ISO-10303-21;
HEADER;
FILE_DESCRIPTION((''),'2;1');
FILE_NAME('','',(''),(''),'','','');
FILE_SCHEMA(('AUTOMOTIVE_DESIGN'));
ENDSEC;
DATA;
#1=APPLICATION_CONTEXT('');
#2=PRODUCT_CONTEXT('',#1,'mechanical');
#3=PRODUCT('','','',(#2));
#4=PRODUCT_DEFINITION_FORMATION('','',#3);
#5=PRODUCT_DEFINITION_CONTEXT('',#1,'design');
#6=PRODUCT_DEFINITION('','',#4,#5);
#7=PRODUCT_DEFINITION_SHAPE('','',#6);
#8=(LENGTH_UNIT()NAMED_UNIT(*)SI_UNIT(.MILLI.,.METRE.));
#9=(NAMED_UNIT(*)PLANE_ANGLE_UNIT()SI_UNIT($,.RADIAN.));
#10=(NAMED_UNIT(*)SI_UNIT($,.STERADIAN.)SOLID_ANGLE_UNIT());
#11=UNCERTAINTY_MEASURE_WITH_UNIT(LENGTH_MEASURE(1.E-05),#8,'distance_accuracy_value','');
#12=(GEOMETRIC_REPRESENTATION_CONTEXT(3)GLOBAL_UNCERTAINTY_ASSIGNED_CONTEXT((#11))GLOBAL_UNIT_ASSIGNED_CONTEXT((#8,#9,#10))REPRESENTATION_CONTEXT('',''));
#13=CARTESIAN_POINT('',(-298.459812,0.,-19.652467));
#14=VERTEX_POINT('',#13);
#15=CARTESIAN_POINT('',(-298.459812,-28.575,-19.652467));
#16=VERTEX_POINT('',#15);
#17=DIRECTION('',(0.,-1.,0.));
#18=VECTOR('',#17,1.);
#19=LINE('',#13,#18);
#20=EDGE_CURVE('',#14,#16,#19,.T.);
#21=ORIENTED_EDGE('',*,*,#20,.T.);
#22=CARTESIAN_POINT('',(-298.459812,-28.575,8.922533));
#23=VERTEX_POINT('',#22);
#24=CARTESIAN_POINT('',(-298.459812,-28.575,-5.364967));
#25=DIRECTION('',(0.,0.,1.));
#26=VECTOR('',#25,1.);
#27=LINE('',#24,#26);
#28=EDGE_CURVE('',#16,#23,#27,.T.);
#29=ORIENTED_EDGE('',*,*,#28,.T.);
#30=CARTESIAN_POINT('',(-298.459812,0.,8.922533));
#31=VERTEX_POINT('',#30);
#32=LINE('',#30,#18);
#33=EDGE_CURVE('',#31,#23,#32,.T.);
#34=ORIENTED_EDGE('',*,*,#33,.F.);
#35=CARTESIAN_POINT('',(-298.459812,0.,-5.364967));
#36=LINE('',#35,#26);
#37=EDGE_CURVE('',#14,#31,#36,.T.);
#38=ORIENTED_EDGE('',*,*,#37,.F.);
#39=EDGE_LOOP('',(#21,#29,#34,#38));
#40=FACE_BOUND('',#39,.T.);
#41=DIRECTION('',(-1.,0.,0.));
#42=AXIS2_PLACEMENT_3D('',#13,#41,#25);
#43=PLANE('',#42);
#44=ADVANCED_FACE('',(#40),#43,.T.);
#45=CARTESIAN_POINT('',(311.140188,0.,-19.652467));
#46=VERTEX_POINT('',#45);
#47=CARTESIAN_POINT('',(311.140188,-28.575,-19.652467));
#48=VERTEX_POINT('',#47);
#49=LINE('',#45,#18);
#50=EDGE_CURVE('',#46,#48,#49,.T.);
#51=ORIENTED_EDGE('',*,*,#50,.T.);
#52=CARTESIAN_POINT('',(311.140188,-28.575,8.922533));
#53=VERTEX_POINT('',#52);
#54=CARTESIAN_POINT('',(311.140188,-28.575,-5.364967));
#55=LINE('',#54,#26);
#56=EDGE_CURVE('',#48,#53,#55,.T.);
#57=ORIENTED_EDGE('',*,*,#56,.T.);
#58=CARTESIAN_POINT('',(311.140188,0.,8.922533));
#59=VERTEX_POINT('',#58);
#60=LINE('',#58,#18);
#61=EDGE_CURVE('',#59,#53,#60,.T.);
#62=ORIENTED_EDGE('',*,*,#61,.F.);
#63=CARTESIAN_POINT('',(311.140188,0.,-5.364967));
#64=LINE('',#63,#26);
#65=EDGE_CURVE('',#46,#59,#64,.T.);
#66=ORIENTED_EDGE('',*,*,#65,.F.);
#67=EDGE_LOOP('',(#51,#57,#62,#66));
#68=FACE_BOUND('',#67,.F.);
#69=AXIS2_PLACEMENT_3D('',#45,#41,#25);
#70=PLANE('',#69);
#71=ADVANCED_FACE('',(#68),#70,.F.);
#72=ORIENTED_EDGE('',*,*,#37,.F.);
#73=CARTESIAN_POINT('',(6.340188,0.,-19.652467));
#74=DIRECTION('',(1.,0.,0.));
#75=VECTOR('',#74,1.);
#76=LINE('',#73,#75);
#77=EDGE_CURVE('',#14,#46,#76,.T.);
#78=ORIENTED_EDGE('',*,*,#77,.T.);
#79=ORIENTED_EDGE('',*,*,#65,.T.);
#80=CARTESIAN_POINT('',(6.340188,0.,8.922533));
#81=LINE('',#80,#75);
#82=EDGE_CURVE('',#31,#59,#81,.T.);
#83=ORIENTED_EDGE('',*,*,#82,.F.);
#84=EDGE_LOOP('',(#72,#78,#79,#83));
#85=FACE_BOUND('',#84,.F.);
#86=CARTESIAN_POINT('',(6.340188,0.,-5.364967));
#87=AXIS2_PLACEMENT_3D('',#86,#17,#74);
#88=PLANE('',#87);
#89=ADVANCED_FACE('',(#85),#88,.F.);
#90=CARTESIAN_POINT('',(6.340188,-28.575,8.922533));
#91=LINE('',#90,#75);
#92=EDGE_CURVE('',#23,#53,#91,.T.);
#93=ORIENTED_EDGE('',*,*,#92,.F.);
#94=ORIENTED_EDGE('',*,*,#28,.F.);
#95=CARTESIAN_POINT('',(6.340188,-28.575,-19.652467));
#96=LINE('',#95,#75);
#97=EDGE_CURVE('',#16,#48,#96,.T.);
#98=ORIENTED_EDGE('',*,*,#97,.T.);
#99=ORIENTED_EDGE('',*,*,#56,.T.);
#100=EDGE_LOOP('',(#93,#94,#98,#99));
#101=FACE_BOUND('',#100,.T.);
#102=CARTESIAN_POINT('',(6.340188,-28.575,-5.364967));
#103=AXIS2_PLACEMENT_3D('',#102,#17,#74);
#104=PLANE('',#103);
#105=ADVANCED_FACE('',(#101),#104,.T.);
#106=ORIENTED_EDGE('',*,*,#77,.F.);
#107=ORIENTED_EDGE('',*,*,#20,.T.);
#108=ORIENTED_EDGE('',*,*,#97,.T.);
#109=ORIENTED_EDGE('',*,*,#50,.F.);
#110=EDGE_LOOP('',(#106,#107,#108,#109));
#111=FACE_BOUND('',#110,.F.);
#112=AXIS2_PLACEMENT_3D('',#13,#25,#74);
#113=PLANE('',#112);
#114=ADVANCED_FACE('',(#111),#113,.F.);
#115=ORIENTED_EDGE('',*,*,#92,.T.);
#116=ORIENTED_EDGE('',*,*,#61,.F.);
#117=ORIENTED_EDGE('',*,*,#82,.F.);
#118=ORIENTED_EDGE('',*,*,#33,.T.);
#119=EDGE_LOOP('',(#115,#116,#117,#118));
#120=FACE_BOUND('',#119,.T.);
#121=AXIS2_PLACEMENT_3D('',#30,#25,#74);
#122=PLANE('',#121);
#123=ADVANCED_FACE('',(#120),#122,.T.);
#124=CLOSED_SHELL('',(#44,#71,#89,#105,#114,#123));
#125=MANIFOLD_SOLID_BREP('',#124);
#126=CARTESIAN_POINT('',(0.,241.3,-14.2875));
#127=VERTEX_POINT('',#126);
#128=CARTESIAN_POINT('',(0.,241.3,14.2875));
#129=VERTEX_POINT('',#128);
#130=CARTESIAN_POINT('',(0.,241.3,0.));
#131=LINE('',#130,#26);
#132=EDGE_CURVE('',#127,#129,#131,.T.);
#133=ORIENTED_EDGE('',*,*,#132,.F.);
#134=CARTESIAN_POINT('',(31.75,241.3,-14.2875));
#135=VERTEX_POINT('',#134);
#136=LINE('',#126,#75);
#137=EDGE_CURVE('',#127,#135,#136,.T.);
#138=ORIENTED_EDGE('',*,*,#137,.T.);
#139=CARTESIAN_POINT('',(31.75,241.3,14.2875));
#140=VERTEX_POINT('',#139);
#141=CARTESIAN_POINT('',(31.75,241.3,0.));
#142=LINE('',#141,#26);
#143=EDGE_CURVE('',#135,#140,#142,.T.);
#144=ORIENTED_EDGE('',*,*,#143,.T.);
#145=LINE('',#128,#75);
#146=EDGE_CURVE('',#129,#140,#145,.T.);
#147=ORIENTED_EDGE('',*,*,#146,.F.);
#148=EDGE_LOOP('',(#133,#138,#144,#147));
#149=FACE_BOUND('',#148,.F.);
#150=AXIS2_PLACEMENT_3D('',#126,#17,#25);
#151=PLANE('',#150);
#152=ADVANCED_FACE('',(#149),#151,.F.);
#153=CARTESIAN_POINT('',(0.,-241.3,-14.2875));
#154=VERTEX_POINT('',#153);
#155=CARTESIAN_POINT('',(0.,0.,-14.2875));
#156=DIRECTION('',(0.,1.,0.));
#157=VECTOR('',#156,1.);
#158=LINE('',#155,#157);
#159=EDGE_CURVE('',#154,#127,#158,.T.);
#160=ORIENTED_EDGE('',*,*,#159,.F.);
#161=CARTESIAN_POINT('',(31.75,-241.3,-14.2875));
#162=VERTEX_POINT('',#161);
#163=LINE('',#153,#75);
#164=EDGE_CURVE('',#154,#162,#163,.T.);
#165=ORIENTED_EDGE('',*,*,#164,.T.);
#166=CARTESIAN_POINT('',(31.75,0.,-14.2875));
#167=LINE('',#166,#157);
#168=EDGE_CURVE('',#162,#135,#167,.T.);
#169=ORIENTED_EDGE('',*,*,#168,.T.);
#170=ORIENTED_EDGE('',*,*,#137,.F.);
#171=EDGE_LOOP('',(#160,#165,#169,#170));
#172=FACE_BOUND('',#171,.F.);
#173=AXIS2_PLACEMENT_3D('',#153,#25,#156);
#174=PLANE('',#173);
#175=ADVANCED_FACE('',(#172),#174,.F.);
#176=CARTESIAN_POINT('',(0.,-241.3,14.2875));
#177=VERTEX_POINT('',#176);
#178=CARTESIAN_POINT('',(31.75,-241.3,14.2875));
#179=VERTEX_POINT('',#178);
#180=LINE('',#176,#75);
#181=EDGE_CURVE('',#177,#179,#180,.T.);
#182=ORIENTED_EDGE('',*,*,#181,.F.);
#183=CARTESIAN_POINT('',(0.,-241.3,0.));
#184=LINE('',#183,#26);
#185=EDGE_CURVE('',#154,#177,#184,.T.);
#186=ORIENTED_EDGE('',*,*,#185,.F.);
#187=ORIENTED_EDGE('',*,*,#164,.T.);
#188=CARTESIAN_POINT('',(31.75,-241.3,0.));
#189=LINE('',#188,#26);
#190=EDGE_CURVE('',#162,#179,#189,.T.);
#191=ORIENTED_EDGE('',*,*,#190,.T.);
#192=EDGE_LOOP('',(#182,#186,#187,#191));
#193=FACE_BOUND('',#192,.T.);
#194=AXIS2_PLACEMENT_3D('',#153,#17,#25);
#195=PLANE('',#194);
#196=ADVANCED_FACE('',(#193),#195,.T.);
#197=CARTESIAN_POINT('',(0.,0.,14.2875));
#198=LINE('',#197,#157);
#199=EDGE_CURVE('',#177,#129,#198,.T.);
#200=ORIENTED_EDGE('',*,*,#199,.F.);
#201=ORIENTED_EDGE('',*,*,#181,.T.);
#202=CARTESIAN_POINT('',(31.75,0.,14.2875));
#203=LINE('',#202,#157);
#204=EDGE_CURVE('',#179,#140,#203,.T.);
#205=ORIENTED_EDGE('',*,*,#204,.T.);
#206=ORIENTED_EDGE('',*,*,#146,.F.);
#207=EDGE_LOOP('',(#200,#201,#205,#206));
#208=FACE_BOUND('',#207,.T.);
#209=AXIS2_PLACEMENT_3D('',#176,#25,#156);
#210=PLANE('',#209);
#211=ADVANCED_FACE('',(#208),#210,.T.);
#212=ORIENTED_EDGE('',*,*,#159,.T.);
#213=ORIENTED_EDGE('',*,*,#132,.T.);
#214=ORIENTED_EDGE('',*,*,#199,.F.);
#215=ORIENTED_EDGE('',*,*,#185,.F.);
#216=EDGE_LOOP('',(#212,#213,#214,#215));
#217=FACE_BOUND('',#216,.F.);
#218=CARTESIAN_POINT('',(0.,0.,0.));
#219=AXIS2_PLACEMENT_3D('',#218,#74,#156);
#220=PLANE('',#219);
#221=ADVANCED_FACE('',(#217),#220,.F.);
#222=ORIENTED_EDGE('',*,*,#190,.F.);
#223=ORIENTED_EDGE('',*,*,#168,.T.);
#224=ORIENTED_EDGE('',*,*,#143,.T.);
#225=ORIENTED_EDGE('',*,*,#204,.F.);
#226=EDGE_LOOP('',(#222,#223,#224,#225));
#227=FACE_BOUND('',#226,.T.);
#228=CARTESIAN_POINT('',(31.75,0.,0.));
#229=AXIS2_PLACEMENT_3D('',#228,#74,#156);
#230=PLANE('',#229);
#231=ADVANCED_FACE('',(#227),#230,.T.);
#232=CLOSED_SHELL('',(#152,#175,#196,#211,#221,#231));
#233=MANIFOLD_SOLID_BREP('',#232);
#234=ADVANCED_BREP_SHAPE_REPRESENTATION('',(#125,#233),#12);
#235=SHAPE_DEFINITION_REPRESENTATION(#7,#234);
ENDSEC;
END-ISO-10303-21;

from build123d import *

# Parameters (mm, degrees)
F0_W     = 609.6
F0_H     = 28.575
F1_DEPTH = 28.575
F2_W     = 482.6
F2_H     = 28.575
F3_DEPTH = 31.75


with BuildPart() as f1:
    # F0 (on Front) → F1 (new body)
    with BuildSketch(Plane.XZ):
        with Locations((6.340188, -5.364967)):
            Rectangle(F0_W, F0_H)
    extrude(amount=F1_DEPTH)


with BuildPart() as f3:
    # F2 (on Right) → F3 (new body)
    with BuildSketch(Plane.YZ):
        Rectangle(F2_W, F2_H)
    extrude(amount=F3_DEPTH)


solid = Compound([f1.part, f3.part])
